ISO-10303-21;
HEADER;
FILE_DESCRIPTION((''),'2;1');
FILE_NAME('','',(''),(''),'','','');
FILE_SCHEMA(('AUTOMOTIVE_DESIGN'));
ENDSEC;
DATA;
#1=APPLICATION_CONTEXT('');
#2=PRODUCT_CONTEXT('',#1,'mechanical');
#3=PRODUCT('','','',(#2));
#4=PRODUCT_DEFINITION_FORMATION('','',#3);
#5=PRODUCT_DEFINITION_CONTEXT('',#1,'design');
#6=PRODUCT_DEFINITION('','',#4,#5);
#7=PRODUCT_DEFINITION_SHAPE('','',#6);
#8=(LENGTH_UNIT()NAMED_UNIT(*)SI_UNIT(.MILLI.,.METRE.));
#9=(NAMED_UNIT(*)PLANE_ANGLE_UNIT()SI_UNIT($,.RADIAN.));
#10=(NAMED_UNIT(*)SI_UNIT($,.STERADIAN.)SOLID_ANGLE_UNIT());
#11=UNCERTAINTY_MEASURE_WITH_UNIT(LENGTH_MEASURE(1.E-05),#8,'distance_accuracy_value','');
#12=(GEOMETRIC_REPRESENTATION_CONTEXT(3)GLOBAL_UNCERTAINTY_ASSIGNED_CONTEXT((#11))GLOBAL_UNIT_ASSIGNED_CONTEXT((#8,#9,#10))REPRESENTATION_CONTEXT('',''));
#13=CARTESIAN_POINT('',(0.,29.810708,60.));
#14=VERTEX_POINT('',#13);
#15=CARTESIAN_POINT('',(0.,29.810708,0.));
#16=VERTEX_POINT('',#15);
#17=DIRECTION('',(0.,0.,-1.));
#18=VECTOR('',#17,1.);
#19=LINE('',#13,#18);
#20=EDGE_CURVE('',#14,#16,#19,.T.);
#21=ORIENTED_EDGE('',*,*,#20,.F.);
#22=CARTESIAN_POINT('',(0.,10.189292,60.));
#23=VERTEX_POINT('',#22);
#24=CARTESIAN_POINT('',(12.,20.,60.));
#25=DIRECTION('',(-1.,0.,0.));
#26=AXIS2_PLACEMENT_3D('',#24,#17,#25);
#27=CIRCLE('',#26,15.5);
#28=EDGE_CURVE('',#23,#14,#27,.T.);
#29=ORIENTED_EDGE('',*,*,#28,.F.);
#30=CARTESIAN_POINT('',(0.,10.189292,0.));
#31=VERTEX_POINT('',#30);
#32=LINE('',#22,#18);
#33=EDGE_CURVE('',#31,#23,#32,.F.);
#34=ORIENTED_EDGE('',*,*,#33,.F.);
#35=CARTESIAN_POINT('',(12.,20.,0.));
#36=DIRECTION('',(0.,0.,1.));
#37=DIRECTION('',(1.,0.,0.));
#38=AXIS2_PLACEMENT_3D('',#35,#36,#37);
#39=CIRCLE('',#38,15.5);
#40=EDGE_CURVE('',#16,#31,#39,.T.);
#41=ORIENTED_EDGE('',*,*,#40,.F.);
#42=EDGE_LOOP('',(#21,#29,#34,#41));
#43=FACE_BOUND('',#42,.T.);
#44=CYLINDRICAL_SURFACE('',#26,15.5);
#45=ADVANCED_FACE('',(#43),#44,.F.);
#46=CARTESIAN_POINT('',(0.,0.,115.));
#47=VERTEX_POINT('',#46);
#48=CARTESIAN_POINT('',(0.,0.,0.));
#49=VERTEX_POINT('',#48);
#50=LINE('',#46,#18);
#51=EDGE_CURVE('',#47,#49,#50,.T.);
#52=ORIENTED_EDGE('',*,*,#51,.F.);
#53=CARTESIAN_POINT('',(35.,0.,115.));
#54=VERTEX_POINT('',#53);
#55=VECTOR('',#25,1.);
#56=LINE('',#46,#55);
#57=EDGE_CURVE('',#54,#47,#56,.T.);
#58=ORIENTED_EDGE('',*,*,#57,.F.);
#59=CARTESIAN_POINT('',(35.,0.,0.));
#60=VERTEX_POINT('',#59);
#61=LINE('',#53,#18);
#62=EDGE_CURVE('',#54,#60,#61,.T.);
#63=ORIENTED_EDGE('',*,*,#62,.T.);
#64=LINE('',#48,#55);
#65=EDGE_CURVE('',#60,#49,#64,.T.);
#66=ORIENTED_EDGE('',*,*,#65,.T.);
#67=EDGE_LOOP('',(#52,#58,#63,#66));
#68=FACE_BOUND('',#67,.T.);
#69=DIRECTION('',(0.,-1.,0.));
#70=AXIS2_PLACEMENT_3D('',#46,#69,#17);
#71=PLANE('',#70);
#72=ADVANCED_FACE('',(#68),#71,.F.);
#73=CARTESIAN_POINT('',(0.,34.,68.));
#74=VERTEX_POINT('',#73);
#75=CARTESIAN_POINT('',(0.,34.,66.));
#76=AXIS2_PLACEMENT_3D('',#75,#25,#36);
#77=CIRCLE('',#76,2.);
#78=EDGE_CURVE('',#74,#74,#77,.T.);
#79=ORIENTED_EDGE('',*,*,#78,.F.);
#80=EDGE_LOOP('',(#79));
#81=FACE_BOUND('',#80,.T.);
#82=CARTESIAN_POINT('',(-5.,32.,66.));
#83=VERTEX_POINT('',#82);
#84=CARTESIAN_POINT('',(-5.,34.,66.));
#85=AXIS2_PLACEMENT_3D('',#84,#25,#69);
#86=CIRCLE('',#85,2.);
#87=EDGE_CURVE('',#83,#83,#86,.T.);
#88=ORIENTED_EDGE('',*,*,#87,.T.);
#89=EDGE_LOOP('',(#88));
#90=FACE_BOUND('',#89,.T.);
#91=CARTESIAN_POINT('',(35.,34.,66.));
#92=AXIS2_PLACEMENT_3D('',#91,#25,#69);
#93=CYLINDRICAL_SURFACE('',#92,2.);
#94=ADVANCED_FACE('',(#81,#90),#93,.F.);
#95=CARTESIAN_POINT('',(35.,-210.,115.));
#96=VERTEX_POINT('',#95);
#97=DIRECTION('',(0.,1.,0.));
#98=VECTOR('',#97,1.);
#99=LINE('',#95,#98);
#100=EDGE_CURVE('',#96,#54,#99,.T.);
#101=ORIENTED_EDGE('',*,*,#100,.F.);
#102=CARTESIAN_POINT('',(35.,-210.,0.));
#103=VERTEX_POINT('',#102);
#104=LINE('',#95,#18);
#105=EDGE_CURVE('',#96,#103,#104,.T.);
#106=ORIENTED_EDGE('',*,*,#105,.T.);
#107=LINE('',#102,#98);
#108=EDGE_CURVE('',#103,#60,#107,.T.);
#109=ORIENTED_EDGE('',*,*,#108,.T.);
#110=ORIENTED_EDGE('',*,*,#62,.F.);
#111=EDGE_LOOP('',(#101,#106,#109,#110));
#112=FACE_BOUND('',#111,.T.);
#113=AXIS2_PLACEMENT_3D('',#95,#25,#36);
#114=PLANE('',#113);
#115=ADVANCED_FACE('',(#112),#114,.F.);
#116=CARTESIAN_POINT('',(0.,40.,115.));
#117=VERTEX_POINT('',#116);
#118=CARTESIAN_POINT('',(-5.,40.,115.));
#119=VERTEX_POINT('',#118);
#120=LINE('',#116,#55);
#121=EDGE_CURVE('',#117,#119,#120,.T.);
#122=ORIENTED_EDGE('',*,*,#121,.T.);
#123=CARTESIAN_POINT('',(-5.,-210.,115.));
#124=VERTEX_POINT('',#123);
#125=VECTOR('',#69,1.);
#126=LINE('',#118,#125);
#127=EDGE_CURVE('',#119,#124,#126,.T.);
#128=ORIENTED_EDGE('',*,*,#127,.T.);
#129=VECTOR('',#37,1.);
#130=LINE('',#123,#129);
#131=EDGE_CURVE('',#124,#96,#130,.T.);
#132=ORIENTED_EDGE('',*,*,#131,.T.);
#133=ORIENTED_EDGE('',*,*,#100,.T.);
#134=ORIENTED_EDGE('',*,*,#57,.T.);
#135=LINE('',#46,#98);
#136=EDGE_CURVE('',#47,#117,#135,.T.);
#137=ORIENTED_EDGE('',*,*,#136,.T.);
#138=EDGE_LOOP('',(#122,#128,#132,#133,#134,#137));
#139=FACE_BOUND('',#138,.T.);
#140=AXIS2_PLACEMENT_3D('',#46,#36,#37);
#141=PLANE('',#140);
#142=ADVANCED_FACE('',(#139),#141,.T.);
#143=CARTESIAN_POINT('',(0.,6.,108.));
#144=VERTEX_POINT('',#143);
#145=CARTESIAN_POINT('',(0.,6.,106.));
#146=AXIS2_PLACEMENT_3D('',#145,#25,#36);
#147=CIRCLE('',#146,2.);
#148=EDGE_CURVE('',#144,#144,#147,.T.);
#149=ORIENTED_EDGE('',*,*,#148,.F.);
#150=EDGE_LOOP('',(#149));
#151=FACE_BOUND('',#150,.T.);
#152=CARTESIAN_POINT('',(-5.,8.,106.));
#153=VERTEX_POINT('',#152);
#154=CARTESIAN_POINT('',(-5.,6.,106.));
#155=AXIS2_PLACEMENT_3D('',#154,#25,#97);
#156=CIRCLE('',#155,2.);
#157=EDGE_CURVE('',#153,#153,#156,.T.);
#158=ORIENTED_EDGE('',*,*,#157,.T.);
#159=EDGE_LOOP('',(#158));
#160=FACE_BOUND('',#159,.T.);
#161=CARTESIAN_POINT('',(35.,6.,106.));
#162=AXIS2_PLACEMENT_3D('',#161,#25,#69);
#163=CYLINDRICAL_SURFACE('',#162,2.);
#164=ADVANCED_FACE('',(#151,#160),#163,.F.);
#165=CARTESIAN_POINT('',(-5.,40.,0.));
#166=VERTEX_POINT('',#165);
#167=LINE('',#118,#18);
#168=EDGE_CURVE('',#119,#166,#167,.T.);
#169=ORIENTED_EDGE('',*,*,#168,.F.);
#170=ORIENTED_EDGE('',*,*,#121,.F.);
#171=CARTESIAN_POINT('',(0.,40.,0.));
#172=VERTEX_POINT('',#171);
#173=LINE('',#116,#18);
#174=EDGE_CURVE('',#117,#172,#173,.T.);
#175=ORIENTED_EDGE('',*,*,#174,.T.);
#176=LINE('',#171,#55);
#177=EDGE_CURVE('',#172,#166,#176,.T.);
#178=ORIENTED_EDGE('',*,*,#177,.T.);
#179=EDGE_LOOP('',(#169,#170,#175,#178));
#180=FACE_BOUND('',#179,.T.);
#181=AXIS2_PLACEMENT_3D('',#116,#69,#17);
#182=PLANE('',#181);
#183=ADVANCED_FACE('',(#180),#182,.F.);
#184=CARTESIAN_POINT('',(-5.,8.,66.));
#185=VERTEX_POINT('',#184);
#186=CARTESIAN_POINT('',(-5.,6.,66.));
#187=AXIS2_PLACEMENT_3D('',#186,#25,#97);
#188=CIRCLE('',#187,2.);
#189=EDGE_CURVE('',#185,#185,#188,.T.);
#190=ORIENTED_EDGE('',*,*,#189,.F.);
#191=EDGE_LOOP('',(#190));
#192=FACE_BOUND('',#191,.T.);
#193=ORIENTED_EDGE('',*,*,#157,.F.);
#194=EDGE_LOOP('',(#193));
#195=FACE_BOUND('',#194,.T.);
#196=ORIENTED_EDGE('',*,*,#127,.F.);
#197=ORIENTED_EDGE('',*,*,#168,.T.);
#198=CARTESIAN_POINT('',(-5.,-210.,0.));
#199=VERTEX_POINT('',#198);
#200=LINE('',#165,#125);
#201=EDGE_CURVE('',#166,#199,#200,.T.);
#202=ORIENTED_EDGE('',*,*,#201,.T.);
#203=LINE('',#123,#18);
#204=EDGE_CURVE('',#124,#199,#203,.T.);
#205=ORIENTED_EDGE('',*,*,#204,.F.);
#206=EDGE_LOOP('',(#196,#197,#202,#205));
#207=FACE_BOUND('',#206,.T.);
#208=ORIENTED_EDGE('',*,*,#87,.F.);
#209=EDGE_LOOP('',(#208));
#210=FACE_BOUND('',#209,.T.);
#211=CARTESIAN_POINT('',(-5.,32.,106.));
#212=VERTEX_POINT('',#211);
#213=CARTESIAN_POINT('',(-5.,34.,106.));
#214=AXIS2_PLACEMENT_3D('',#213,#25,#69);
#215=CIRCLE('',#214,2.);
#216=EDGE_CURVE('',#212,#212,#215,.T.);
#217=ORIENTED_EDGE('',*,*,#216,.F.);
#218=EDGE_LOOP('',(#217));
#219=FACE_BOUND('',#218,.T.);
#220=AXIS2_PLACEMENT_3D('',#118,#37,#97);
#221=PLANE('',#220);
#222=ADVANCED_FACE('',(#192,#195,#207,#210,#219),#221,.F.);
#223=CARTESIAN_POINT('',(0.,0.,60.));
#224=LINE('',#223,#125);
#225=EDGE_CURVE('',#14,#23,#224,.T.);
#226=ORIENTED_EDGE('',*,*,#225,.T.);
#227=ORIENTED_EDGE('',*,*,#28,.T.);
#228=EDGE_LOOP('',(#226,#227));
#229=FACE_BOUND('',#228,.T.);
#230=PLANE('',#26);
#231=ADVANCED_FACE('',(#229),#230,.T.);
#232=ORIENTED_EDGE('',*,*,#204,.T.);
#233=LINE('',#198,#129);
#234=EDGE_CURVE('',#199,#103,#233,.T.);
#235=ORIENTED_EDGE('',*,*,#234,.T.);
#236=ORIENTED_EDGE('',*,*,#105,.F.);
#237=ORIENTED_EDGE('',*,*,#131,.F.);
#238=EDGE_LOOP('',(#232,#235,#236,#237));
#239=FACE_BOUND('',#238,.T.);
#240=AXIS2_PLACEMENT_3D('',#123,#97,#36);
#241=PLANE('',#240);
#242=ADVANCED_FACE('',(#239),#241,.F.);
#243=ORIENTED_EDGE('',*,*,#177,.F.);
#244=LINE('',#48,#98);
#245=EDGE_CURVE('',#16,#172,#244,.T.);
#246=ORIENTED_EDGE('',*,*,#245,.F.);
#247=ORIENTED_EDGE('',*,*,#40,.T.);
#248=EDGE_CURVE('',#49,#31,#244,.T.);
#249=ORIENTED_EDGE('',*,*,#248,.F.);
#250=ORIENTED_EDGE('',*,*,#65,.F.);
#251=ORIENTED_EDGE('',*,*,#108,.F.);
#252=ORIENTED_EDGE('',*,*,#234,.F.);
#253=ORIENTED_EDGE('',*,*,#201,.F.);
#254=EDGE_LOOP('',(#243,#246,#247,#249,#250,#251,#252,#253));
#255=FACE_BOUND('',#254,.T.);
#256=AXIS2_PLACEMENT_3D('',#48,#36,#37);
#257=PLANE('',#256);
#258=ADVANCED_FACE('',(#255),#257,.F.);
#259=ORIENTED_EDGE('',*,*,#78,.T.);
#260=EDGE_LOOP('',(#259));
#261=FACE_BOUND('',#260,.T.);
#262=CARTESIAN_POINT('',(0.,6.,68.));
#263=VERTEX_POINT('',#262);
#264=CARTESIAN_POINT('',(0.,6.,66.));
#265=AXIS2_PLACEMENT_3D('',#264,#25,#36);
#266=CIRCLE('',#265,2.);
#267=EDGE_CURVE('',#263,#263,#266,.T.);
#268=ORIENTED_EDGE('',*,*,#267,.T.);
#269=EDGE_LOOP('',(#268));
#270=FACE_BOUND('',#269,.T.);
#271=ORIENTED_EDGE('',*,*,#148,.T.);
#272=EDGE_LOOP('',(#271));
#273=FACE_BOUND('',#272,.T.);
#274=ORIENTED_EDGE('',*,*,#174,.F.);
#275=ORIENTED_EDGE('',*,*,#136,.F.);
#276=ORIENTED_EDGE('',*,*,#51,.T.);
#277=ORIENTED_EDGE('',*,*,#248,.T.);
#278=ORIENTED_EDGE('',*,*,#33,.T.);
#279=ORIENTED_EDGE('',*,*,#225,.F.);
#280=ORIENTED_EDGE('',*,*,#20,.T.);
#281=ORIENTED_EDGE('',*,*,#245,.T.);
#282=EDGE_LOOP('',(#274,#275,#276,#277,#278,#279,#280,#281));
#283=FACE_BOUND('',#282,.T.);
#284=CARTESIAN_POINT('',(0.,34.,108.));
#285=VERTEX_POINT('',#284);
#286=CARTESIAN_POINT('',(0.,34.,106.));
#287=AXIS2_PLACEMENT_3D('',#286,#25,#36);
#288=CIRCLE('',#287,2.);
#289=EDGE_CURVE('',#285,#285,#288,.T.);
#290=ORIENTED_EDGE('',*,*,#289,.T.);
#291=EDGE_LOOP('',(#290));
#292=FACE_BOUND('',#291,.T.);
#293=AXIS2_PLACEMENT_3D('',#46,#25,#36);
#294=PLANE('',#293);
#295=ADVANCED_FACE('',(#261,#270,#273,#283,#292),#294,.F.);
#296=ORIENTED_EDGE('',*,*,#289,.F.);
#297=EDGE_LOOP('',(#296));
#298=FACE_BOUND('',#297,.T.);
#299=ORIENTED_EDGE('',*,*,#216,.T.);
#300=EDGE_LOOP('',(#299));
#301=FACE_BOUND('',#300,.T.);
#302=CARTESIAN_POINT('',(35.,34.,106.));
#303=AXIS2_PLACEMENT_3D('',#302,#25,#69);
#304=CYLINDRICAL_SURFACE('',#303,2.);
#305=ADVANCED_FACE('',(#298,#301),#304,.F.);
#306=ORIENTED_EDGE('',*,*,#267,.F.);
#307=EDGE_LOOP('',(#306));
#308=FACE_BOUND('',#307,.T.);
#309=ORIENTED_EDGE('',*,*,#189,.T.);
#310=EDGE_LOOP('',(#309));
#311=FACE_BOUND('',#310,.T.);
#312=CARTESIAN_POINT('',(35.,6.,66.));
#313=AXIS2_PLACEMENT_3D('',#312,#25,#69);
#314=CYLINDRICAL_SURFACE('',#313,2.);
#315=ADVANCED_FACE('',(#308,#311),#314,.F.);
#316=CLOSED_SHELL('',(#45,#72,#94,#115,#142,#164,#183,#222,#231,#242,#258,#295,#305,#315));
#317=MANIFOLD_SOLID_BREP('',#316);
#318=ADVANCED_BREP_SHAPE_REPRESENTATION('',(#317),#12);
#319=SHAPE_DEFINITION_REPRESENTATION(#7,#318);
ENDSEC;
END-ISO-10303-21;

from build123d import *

# Parameters (mm, degrees)
BOSS_EXTRUDE1_DEPTH = 115
SKETCH2_R           = 2
CUT_EXTRUDE1_DEPTH  = 243.744721879
SKETCH3_R           = 15.5
CUT_EXTRUDE2_DEPTH  = 60


with BuildPart() as part:
    # Sketch1 → Boss-Extrude1 (new body)
    with BuildSketch(Plane.XY):
        Polygon((0, 0), (0, 40), (-5, 40), (-5, -210), (35, -210), (35, 0), align=None)
    extrude(amount=BOSS_EXTRUDE1_DEPTH)

    # Sketch2 → Cut-Extrude1 (cut, through all)
    with BuildSketch(Plane.ZY.offset(5)):
        with Locations(Location((106, 34, 0), (0, 0, 270))):
            Circle(SKETCH2_R)
        with Locations(Location((66, 34, 0), (0, 0, 270))):
            Circle(SKETCH2_R)
        with Locations((66, 6)):
            Circle(SKETCH2_R)
        with Locations((106, 6)):
            Circle(SKETCH2_R)
    extrude(amount=-CUT_EXTRUDE1_DEPTH, mode=Mode.SUBTRACT)

    # Sketch3 → Cut-Extrude2 (cut)
    with BuildSketch(Plane(origin=(0, 0, 0), x_dir=(-1, 0, 0), z_dir=(0, 0, -1))):
        with Locations((-12, 20)):
            Circle(SKETCH3_R)
    extrude(amount=-CUT_EXTRUDE2_DEPTH, mode=Mode.SUBTRACT)


solid = part.part
